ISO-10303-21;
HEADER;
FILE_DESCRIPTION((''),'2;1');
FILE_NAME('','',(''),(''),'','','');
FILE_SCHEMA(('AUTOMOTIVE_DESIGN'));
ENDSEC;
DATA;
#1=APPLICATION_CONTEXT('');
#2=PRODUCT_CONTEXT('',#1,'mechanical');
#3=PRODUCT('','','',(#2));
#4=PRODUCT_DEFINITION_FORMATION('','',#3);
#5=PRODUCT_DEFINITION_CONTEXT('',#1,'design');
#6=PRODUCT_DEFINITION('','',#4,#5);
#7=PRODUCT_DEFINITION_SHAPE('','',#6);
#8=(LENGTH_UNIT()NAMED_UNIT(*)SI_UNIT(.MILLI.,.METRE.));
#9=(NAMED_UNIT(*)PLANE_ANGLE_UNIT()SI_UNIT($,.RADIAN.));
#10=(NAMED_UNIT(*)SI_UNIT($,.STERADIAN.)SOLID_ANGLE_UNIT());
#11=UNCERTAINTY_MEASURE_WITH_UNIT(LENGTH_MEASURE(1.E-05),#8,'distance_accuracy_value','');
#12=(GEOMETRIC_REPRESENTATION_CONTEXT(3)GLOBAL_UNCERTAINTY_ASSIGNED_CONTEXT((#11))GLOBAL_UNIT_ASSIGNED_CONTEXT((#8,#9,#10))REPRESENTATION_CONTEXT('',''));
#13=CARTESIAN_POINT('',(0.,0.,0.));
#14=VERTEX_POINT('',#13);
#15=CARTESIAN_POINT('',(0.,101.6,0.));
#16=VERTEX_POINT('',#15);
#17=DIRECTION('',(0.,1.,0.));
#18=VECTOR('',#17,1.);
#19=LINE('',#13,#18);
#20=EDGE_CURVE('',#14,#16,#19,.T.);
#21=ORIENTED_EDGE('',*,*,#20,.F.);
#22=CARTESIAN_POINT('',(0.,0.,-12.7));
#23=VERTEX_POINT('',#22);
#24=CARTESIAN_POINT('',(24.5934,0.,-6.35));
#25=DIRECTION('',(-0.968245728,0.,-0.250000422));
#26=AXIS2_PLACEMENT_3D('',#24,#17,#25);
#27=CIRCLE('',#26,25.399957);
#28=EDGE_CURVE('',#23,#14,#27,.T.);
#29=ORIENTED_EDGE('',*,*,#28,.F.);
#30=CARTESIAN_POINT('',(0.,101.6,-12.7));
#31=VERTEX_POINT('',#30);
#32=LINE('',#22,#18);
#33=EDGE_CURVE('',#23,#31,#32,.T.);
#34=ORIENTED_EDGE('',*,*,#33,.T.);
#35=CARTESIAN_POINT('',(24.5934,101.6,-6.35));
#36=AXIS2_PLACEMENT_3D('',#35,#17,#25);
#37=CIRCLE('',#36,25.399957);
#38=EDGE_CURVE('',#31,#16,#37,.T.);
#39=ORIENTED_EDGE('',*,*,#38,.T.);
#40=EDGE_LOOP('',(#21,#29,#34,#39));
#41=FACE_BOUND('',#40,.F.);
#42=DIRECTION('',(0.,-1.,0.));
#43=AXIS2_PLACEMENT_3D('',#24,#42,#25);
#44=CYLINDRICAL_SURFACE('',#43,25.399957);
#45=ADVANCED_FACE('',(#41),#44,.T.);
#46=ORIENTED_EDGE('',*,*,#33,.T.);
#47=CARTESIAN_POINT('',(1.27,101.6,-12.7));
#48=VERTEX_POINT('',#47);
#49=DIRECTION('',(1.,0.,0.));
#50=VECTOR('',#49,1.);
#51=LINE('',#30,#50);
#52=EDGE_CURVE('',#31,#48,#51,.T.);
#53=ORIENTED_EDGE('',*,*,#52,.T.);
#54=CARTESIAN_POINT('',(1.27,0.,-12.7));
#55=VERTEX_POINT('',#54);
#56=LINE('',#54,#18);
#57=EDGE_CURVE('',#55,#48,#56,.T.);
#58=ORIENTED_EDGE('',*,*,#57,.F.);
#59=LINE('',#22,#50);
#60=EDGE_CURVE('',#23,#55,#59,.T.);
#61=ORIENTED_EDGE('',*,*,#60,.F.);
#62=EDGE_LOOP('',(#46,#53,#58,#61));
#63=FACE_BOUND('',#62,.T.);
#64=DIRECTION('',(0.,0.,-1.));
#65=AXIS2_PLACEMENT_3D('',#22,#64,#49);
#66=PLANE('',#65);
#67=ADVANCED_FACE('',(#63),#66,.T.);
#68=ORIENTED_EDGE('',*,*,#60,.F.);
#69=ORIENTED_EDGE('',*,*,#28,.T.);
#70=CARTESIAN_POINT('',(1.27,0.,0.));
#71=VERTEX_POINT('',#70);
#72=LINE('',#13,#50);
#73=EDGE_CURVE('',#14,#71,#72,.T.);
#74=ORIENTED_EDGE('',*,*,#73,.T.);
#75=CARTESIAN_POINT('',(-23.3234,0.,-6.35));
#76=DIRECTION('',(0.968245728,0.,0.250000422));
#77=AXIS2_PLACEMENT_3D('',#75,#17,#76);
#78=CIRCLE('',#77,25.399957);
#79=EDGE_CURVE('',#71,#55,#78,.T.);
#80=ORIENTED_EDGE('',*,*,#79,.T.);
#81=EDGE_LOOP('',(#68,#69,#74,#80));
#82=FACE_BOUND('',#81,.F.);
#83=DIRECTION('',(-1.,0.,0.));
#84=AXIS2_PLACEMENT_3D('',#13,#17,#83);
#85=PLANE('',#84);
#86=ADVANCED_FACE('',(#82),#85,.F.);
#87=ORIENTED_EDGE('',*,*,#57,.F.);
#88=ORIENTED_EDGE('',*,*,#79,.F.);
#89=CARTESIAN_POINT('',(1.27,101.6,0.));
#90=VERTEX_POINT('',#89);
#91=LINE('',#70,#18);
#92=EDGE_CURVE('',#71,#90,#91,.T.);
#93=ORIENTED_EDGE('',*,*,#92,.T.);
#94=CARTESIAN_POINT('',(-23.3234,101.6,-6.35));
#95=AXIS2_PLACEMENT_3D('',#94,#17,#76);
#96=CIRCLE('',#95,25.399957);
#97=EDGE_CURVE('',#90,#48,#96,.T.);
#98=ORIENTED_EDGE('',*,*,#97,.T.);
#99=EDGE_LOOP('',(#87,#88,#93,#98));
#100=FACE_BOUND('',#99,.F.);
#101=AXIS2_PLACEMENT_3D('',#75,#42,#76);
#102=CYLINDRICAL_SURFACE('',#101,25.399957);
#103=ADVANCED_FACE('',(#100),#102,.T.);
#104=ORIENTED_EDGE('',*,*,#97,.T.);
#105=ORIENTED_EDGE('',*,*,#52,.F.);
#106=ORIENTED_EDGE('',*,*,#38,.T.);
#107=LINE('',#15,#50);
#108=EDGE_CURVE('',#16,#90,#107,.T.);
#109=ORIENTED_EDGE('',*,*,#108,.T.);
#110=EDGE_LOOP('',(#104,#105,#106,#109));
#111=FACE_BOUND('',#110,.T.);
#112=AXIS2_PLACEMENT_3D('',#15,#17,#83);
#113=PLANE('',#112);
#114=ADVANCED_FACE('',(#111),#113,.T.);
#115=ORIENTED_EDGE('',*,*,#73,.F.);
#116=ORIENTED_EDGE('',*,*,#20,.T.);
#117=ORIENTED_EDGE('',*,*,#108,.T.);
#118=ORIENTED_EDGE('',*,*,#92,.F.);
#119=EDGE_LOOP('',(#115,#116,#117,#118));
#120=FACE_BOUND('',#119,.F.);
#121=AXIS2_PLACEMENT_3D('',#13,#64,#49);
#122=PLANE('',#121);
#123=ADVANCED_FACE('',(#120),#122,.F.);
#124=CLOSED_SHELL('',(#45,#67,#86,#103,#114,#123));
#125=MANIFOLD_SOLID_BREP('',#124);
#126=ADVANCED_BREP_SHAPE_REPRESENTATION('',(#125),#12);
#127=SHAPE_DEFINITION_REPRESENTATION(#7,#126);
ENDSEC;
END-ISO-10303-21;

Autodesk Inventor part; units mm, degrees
ref_plane "YZ Plane" through (0, 0, 0) normal (1, 0, 0) x (0, 1, 0)
ref_plane "XZ Plane" through (0, 0, 0) normal (0, 1, 0) x (-1, 0, 0)
ref_plane "XY Plane" through (0, 0, 0) normal (0, 0, 1) x (1, 0, 0)
sketch "Sketch1" plane through (0, 0, 0) normal (0, 1, 0) x (-1, 0, 0)
  arc A0 (0, -12.7) -> (0, 0) centre (-24.5934, -6.35) ccw
  line L0 (0, 0) -> (-1.27, 0)
  line L1 (0, -12.7) -> (-1.27, -12.7)
  arc A1 (-1.27, 0) -> (-1.27, -12.7) centre (23.3234, -6.35) ccw
  dimension "d0" = 12.7
  dimension "d1" = 25.4
  dimension "d2" = 1.27
  dimension "d3" = 25.4
extrude "Extrusion1" add sketch "Sketch1" along normal blind 101.6
properties part number "Antenna" material "Acetal Resin, Black"
